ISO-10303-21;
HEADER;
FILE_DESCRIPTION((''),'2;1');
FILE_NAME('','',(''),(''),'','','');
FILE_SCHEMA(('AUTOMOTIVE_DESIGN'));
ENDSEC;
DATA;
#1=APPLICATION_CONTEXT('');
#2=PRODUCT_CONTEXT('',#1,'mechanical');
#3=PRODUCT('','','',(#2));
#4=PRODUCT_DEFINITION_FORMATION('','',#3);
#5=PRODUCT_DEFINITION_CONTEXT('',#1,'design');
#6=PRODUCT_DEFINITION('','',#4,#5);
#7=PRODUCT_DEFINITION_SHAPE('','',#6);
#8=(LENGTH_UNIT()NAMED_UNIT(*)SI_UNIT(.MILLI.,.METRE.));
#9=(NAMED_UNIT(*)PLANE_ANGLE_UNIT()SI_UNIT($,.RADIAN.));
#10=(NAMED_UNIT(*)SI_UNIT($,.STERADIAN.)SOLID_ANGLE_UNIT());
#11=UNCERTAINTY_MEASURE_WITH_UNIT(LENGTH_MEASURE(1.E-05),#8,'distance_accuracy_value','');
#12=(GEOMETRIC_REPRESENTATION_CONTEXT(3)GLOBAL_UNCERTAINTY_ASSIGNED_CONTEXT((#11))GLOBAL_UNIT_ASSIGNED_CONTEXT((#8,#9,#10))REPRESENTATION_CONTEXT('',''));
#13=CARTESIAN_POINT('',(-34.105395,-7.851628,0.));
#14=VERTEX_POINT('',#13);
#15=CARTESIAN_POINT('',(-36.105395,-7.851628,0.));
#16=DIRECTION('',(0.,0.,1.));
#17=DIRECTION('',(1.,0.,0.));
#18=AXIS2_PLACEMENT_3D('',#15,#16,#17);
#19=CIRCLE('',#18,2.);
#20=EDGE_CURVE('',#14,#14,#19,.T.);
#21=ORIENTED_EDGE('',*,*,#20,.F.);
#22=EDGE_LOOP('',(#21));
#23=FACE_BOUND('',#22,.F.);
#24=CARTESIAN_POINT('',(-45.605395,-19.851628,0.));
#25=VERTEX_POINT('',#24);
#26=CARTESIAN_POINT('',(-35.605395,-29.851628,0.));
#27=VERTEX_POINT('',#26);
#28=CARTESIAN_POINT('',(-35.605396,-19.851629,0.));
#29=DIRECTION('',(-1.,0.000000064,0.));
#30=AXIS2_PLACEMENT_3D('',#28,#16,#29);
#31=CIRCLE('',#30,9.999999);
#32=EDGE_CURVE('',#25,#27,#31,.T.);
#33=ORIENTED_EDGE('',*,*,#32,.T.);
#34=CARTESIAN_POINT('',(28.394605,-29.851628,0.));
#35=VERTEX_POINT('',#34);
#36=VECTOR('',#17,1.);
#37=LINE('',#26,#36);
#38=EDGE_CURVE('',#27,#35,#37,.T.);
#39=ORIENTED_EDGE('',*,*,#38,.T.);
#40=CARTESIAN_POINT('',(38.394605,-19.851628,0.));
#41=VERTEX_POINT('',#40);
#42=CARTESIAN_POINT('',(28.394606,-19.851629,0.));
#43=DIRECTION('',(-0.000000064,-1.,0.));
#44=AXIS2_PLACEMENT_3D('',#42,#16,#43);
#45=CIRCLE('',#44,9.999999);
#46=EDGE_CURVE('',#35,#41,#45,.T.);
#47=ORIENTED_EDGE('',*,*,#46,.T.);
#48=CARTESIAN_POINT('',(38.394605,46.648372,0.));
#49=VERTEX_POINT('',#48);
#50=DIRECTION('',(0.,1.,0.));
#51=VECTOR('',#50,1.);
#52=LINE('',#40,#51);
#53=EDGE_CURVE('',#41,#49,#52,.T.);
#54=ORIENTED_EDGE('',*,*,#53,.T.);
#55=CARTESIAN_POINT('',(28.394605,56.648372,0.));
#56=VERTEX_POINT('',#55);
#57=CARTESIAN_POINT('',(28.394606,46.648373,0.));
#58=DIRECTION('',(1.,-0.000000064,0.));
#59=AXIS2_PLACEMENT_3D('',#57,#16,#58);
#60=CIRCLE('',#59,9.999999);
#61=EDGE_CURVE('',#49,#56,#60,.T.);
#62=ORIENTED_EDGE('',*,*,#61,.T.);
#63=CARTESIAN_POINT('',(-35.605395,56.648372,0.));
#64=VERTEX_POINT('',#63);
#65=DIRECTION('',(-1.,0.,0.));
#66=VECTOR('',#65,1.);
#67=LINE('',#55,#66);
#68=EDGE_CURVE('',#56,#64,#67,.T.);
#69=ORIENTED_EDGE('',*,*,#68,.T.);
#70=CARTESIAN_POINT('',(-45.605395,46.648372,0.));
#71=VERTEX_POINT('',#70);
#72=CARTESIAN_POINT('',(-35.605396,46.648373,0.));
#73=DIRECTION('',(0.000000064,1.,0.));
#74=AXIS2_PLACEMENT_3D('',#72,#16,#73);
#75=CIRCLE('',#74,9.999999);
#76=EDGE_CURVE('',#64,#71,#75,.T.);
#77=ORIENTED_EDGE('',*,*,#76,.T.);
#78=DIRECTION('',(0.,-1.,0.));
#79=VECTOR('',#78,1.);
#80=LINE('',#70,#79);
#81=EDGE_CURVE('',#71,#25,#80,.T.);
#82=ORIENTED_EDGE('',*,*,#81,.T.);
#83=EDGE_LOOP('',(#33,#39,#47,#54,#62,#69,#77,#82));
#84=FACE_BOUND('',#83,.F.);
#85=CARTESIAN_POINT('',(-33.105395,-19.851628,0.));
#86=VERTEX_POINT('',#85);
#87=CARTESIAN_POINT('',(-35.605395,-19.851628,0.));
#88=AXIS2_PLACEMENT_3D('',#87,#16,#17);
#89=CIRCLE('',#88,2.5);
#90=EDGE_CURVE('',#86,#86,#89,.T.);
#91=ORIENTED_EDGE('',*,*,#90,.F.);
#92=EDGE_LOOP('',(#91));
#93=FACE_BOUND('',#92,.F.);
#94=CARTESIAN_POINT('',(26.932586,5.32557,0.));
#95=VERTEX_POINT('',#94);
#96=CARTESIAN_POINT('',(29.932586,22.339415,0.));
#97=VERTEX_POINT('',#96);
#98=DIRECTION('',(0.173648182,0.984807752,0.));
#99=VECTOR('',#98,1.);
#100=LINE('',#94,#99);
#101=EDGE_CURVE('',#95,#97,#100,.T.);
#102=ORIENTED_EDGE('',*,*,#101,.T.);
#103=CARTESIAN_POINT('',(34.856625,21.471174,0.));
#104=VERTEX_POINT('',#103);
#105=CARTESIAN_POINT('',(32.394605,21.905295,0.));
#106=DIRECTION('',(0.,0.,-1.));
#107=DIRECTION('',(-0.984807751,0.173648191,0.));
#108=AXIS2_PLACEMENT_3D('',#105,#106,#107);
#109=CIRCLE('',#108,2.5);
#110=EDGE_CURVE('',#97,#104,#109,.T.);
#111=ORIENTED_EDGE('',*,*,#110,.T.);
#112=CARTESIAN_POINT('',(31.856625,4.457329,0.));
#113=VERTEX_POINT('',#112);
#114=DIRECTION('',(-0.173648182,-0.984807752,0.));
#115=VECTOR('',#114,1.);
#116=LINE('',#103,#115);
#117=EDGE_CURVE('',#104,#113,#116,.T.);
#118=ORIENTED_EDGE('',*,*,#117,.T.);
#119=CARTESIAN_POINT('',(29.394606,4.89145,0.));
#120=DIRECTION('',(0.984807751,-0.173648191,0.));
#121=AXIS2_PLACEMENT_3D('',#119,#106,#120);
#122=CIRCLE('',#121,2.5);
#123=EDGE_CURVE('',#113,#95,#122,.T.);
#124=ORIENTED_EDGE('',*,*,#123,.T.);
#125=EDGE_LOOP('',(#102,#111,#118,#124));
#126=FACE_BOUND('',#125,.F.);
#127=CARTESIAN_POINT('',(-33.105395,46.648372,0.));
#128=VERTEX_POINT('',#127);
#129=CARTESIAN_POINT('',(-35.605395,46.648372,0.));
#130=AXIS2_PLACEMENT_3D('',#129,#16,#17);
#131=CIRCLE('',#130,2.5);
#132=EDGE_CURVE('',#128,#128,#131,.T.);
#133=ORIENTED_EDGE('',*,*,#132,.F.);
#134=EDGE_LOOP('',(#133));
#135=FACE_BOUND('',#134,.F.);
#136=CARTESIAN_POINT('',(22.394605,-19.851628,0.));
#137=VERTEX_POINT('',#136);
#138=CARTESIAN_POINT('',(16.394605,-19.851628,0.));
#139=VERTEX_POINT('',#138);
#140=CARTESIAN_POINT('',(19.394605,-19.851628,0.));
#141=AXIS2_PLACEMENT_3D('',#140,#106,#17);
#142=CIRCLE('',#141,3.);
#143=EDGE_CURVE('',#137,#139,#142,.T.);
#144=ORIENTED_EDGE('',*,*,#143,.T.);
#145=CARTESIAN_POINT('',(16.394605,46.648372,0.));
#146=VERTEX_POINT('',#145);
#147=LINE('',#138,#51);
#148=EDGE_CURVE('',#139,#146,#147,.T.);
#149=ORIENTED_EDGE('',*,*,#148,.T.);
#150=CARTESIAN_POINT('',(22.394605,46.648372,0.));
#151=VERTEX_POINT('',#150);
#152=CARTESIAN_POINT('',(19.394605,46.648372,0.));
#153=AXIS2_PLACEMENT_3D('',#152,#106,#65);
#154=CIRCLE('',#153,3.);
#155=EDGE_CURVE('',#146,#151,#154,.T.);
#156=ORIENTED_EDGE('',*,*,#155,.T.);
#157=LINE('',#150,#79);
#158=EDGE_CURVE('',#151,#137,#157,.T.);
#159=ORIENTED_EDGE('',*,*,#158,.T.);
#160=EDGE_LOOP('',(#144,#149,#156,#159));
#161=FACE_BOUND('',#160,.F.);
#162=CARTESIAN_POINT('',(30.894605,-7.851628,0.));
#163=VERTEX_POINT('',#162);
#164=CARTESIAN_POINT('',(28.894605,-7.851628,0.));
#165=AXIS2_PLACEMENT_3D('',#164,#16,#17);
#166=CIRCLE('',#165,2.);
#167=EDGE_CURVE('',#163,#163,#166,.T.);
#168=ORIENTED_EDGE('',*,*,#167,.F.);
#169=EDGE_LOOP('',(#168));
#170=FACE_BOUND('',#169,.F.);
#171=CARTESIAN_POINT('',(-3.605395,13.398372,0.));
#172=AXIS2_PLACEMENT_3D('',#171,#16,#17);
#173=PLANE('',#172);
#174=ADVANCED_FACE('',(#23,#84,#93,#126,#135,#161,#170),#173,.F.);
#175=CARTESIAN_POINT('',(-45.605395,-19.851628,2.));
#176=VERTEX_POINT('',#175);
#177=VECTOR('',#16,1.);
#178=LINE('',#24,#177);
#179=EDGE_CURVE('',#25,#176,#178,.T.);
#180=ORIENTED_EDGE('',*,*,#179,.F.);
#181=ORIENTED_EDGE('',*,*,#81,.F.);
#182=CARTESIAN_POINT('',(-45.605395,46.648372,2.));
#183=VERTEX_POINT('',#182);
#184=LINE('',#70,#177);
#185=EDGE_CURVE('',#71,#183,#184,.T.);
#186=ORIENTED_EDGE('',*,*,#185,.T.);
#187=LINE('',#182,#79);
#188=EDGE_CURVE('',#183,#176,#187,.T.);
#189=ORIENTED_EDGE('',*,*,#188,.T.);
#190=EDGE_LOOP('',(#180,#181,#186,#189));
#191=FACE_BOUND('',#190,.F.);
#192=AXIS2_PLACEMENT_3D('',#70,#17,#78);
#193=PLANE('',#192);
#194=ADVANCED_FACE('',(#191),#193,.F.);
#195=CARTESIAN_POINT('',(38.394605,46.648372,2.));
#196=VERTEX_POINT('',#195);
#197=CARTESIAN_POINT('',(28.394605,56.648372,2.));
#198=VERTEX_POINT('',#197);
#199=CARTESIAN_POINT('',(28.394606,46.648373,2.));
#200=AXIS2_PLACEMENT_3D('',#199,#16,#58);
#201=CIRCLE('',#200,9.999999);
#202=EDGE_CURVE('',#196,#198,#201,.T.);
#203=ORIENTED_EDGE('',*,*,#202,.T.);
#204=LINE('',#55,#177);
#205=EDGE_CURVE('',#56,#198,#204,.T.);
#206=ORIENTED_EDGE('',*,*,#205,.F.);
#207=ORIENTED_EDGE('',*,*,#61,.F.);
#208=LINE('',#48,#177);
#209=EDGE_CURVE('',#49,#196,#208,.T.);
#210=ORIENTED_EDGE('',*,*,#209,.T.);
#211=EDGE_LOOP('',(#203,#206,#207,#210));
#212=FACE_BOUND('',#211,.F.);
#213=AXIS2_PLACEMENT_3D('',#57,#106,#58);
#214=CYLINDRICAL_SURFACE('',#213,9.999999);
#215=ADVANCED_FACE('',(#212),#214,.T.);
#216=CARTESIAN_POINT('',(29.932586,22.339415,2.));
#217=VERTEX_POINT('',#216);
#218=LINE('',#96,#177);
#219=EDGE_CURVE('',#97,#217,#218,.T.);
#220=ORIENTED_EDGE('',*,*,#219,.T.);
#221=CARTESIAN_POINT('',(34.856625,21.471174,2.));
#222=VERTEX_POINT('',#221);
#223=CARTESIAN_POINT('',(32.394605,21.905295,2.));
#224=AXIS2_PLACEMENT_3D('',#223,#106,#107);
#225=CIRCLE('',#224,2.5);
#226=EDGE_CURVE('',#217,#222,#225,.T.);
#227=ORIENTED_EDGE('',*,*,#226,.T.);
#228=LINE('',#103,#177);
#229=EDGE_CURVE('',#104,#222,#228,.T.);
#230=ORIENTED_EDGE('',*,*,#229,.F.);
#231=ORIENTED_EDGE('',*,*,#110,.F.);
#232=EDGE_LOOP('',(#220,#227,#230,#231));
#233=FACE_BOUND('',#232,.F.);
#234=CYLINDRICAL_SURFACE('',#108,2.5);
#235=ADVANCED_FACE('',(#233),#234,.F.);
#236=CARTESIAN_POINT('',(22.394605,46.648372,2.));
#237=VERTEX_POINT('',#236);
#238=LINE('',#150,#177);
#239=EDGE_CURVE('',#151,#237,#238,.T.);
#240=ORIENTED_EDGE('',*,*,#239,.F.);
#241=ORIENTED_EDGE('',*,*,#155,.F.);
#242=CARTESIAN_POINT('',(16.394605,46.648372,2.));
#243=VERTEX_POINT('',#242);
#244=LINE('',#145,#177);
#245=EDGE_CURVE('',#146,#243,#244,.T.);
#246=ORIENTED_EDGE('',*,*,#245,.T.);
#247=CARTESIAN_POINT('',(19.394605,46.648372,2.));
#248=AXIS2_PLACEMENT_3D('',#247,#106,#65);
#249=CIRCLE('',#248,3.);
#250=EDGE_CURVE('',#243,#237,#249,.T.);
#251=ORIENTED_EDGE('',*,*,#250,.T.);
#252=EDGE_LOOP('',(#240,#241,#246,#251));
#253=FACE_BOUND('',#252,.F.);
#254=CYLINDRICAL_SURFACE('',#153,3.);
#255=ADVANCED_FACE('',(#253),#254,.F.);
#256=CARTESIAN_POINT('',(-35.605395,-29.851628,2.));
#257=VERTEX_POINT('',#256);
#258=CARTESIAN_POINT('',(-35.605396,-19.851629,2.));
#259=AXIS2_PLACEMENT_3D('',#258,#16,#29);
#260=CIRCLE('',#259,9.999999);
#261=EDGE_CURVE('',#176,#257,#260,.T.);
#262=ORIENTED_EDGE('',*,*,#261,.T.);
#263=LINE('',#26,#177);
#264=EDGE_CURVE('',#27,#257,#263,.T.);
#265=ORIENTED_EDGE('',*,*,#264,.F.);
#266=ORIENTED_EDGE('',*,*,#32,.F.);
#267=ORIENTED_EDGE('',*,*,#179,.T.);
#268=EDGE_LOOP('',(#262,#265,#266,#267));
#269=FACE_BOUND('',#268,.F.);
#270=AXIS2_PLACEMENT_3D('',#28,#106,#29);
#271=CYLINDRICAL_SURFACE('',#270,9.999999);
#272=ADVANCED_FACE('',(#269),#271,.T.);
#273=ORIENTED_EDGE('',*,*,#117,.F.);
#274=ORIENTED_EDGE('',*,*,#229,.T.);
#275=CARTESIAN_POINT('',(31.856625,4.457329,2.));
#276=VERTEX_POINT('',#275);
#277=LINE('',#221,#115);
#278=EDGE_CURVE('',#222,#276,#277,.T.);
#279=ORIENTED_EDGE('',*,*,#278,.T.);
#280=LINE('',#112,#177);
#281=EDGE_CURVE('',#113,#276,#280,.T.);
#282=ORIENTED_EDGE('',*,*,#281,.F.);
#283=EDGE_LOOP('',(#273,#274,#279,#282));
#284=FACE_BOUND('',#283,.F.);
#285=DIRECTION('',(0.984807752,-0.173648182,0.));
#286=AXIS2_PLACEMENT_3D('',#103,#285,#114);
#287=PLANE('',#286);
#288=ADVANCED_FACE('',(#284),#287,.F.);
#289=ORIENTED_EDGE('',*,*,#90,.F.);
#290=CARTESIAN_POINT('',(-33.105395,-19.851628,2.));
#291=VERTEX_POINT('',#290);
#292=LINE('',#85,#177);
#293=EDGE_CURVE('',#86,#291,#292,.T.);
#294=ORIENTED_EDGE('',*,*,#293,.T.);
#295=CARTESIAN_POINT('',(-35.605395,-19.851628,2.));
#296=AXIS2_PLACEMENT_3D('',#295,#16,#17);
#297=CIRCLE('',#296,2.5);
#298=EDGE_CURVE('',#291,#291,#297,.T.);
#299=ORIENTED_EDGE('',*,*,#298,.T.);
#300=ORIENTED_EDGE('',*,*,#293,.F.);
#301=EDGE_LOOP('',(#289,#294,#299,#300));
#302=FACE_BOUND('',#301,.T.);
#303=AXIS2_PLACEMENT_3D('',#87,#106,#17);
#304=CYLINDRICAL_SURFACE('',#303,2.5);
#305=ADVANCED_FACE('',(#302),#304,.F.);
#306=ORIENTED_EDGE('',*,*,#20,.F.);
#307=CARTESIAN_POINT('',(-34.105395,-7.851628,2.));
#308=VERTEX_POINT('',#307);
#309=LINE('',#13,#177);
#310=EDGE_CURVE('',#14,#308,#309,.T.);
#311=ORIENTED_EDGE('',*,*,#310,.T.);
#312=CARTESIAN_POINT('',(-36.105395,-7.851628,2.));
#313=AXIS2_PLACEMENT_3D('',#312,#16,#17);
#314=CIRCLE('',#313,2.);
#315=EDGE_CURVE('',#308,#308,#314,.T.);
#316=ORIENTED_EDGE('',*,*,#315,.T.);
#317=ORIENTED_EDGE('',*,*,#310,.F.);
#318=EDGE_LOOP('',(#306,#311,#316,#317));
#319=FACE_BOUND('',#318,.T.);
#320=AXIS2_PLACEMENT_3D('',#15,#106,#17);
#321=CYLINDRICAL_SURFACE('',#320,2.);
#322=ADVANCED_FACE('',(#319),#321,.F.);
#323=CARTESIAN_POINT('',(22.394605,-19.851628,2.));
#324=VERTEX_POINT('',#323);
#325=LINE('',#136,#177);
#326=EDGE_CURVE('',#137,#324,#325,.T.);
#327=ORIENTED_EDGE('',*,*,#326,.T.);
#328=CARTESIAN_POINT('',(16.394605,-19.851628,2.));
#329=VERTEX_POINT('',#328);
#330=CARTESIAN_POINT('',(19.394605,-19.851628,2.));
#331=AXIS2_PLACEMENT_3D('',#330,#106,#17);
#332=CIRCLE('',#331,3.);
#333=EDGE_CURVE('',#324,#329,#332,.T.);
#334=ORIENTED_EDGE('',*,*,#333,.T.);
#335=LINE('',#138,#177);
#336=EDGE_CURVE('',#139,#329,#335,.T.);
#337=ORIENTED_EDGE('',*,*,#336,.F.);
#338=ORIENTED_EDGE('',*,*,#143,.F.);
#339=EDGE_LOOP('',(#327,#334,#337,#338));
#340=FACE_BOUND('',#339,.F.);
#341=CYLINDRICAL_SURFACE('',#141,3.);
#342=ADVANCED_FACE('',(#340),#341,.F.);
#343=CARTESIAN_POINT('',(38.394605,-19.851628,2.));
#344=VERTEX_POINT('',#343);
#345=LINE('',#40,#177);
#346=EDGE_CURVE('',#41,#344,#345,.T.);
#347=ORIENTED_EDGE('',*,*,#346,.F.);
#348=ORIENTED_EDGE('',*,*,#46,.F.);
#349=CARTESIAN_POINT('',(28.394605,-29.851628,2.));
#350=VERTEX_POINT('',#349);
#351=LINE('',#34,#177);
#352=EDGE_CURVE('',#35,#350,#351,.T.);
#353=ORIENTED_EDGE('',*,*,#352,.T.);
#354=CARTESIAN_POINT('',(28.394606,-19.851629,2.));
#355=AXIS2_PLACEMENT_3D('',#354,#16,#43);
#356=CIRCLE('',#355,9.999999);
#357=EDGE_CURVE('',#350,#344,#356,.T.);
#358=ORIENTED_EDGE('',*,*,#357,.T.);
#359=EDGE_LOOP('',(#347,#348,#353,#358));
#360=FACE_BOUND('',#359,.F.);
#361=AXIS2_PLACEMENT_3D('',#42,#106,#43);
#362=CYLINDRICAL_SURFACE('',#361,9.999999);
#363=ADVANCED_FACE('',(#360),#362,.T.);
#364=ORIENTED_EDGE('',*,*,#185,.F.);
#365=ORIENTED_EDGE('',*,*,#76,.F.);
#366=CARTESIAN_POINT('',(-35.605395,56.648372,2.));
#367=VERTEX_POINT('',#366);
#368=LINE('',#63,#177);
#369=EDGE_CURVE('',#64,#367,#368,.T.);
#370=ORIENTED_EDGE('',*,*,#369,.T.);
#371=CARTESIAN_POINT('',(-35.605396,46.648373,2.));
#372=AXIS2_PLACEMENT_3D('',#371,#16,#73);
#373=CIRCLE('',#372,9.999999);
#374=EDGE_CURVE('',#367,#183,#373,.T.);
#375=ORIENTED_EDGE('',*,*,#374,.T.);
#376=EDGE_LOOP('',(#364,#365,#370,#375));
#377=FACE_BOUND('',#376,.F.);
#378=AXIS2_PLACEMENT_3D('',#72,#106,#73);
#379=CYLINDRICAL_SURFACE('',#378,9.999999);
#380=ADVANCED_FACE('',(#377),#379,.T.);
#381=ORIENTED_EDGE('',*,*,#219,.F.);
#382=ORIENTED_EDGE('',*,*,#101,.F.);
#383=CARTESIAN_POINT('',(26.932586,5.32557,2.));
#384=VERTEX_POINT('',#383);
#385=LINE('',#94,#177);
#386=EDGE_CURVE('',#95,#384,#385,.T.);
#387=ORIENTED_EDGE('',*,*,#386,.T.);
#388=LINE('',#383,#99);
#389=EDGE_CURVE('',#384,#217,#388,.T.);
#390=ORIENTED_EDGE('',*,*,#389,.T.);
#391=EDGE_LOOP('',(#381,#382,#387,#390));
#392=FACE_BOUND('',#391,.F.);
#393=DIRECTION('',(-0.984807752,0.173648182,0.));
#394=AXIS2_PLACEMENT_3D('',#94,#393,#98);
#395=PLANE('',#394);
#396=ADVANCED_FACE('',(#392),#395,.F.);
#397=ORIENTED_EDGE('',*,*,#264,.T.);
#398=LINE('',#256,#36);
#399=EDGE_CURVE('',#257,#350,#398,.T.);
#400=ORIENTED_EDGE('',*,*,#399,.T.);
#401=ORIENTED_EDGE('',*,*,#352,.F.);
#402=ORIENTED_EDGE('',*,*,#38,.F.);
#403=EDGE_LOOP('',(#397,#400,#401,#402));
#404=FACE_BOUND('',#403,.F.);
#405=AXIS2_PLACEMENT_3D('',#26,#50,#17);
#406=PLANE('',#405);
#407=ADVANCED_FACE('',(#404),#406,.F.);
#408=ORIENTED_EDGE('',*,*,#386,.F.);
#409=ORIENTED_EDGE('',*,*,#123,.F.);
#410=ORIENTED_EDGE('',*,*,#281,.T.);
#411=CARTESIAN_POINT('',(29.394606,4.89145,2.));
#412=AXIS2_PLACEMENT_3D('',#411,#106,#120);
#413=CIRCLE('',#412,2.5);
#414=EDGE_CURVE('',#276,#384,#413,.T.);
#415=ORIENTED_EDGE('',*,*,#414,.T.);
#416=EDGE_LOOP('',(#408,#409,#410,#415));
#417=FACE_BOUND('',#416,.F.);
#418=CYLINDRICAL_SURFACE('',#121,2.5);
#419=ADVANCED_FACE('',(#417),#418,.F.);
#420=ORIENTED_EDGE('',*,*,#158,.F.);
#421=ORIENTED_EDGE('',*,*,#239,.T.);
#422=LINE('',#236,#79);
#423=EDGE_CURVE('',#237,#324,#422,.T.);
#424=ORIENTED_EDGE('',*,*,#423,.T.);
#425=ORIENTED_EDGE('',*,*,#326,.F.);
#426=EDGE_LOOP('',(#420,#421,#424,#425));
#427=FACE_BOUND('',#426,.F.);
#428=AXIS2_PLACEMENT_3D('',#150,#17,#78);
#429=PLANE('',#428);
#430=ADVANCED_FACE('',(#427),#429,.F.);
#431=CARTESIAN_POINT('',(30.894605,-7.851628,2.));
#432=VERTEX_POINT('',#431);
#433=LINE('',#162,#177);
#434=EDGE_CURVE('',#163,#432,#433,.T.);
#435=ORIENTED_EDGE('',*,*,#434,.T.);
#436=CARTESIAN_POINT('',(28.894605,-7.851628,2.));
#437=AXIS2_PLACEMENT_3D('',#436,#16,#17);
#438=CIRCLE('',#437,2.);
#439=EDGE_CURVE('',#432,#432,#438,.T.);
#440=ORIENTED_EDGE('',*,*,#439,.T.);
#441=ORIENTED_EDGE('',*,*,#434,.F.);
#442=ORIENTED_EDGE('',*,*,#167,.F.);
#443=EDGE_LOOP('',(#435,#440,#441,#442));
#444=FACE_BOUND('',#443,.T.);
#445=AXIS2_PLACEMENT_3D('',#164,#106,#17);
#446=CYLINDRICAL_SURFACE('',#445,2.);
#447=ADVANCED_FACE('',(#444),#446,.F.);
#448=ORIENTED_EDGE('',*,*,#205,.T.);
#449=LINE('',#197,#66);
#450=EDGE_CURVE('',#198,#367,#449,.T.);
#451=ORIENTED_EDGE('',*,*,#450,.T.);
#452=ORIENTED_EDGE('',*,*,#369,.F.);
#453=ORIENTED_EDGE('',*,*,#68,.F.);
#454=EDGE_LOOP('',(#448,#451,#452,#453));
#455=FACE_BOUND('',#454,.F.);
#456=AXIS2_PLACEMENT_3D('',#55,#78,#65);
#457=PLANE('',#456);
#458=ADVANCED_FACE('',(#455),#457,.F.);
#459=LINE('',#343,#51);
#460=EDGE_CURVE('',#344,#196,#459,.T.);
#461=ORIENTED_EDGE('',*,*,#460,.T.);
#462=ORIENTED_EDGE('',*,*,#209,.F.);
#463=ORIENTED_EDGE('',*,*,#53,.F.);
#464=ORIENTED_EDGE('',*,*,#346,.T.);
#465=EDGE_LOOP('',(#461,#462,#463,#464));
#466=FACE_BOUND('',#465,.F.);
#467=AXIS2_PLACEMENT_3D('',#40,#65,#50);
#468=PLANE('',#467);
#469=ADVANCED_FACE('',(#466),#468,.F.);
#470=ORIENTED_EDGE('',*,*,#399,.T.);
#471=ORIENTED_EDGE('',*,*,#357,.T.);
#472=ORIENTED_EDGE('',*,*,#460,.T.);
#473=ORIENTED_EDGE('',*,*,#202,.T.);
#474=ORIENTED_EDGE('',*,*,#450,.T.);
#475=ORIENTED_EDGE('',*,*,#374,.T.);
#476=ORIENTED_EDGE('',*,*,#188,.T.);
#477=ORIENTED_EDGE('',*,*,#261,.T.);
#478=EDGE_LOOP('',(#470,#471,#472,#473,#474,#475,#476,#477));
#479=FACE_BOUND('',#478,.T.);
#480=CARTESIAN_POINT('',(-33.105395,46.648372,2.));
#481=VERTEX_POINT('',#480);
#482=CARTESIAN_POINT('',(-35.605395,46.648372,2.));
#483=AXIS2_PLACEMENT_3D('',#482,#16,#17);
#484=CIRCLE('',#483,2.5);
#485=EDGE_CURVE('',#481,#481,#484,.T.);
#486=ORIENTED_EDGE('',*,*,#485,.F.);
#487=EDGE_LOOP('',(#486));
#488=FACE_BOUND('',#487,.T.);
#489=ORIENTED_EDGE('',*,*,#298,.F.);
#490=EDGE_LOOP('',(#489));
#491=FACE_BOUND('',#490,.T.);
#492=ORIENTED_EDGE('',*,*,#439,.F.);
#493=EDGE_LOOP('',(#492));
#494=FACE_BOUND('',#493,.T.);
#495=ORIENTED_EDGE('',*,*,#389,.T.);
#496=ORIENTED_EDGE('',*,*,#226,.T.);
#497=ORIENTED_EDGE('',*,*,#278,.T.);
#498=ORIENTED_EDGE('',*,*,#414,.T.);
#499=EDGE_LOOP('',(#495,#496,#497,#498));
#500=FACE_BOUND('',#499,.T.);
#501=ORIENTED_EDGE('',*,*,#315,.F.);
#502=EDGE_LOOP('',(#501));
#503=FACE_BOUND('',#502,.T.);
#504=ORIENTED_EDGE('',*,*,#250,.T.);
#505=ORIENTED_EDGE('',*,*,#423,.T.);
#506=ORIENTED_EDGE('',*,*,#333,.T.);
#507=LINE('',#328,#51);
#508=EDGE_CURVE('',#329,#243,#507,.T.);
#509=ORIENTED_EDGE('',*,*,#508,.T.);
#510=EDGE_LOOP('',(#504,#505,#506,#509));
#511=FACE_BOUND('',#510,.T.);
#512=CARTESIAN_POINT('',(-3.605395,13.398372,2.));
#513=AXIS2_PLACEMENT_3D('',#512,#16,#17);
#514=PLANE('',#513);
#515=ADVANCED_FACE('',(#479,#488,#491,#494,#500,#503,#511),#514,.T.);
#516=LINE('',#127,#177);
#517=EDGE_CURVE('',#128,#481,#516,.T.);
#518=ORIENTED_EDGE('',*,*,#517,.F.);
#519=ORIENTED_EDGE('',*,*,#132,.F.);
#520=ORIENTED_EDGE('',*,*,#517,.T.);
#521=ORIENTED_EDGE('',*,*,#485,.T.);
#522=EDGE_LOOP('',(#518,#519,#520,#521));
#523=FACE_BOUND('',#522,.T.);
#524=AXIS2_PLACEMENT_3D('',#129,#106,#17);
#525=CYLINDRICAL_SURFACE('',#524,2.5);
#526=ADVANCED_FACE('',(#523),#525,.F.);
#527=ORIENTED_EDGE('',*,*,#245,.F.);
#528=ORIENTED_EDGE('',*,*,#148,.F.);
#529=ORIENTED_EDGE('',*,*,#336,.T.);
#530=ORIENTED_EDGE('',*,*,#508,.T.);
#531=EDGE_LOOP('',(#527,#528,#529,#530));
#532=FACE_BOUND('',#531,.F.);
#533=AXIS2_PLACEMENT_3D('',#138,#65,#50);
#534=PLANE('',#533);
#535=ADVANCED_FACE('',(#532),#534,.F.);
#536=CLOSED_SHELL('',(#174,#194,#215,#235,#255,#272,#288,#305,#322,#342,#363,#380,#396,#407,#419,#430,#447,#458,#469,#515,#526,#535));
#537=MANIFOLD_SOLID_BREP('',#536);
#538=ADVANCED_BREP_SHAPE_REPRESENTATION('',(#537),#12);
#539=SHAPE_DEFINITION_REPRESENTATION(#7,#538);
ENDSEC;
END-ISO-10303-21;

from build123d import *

# Parameters (mm, degrees)
F0_R     = 2.5
F0_R_2   = 2
F1_DEPTH = 2


with BuildPart() as f1:
    # F0 (on Top) → F1 (new body)
    with BuildSketch(Plane.XY):
        with BuildLine():
            Line((28.394605, 56.648372), (-35.605395, 56.648372))
            ThreePointArc((-35.605395, 56.648372), (-42.676463, 53.71944), (-45.605395, 46.648372))
            Line((-45.605395, 46.648372), (-45.605395, -19.851628))
            ThreePointArc((-45.605395, -19.851628), (-42.676463, -26.922696), (-35.605395, -29.851628))
            Line((-35.605395, -29.851628), (28.394605, -29.851628))
            ThreePointArc((28.394605, -29.851628), (35.465673, -26.922696), (38.394605, -19.851628))
            Line((38.394605, -19.851628), (38.394605, 46.648372))
            ThreePointArc((38.394605, 46.648372), (35.465673, 53.71944), (28.394605, 56.648372))
        make_face()
        with Locations((-35.605395, -19.851628)):
            Circle(F0_R, mode=Mode.SUBTRACT)
        with Locations((-36.105395, -7.851628)):
            Circle(F0_R_2, mode=Mode.SUBTRACT)
        with Locations((28.894605, -7.851628)):
            Circle(F0_R_2, mode=Mode.SUBTRACT)
        with Locations((-35.605395, 46.648372)):
            Circle(F0_R, mode=Mode.SUBTRACT)
        with BuildLine():
            Line((16.394605, -19.851628), (16.394605, 46.648372))
            ThreePointArc((16.394605, 46.648372), (19.394605, 49.648372), (22.394605, 46.648372))
            Line((22.394605, 46.648372), (22.394605, -19.851628))
            ThreePointArc((22.394605, -19.851628), (19.394605, -22.851628), (16.394605, -19.851628))
        make_face(mode=Mode.SUBTRACT)
        with BuildLine():
            Line((34.856625, 21.471174), (31.856625, 4.457329))
            ThreePointArc((31.856625, 4.457329), (28.960485, 2.42943), (26.932586, 5.32557))
            Line((26.932586, 5.32557), (29.932586, 22.339415))
            ThreePointArc((29.932586, 22.339415), (32.828726, 24.367314), (34.856625, 21.471174))
        make_face(mode=Mode.SUBTRACT)
    extrude(amount=F1_DEPTH)


solid = f1.part
